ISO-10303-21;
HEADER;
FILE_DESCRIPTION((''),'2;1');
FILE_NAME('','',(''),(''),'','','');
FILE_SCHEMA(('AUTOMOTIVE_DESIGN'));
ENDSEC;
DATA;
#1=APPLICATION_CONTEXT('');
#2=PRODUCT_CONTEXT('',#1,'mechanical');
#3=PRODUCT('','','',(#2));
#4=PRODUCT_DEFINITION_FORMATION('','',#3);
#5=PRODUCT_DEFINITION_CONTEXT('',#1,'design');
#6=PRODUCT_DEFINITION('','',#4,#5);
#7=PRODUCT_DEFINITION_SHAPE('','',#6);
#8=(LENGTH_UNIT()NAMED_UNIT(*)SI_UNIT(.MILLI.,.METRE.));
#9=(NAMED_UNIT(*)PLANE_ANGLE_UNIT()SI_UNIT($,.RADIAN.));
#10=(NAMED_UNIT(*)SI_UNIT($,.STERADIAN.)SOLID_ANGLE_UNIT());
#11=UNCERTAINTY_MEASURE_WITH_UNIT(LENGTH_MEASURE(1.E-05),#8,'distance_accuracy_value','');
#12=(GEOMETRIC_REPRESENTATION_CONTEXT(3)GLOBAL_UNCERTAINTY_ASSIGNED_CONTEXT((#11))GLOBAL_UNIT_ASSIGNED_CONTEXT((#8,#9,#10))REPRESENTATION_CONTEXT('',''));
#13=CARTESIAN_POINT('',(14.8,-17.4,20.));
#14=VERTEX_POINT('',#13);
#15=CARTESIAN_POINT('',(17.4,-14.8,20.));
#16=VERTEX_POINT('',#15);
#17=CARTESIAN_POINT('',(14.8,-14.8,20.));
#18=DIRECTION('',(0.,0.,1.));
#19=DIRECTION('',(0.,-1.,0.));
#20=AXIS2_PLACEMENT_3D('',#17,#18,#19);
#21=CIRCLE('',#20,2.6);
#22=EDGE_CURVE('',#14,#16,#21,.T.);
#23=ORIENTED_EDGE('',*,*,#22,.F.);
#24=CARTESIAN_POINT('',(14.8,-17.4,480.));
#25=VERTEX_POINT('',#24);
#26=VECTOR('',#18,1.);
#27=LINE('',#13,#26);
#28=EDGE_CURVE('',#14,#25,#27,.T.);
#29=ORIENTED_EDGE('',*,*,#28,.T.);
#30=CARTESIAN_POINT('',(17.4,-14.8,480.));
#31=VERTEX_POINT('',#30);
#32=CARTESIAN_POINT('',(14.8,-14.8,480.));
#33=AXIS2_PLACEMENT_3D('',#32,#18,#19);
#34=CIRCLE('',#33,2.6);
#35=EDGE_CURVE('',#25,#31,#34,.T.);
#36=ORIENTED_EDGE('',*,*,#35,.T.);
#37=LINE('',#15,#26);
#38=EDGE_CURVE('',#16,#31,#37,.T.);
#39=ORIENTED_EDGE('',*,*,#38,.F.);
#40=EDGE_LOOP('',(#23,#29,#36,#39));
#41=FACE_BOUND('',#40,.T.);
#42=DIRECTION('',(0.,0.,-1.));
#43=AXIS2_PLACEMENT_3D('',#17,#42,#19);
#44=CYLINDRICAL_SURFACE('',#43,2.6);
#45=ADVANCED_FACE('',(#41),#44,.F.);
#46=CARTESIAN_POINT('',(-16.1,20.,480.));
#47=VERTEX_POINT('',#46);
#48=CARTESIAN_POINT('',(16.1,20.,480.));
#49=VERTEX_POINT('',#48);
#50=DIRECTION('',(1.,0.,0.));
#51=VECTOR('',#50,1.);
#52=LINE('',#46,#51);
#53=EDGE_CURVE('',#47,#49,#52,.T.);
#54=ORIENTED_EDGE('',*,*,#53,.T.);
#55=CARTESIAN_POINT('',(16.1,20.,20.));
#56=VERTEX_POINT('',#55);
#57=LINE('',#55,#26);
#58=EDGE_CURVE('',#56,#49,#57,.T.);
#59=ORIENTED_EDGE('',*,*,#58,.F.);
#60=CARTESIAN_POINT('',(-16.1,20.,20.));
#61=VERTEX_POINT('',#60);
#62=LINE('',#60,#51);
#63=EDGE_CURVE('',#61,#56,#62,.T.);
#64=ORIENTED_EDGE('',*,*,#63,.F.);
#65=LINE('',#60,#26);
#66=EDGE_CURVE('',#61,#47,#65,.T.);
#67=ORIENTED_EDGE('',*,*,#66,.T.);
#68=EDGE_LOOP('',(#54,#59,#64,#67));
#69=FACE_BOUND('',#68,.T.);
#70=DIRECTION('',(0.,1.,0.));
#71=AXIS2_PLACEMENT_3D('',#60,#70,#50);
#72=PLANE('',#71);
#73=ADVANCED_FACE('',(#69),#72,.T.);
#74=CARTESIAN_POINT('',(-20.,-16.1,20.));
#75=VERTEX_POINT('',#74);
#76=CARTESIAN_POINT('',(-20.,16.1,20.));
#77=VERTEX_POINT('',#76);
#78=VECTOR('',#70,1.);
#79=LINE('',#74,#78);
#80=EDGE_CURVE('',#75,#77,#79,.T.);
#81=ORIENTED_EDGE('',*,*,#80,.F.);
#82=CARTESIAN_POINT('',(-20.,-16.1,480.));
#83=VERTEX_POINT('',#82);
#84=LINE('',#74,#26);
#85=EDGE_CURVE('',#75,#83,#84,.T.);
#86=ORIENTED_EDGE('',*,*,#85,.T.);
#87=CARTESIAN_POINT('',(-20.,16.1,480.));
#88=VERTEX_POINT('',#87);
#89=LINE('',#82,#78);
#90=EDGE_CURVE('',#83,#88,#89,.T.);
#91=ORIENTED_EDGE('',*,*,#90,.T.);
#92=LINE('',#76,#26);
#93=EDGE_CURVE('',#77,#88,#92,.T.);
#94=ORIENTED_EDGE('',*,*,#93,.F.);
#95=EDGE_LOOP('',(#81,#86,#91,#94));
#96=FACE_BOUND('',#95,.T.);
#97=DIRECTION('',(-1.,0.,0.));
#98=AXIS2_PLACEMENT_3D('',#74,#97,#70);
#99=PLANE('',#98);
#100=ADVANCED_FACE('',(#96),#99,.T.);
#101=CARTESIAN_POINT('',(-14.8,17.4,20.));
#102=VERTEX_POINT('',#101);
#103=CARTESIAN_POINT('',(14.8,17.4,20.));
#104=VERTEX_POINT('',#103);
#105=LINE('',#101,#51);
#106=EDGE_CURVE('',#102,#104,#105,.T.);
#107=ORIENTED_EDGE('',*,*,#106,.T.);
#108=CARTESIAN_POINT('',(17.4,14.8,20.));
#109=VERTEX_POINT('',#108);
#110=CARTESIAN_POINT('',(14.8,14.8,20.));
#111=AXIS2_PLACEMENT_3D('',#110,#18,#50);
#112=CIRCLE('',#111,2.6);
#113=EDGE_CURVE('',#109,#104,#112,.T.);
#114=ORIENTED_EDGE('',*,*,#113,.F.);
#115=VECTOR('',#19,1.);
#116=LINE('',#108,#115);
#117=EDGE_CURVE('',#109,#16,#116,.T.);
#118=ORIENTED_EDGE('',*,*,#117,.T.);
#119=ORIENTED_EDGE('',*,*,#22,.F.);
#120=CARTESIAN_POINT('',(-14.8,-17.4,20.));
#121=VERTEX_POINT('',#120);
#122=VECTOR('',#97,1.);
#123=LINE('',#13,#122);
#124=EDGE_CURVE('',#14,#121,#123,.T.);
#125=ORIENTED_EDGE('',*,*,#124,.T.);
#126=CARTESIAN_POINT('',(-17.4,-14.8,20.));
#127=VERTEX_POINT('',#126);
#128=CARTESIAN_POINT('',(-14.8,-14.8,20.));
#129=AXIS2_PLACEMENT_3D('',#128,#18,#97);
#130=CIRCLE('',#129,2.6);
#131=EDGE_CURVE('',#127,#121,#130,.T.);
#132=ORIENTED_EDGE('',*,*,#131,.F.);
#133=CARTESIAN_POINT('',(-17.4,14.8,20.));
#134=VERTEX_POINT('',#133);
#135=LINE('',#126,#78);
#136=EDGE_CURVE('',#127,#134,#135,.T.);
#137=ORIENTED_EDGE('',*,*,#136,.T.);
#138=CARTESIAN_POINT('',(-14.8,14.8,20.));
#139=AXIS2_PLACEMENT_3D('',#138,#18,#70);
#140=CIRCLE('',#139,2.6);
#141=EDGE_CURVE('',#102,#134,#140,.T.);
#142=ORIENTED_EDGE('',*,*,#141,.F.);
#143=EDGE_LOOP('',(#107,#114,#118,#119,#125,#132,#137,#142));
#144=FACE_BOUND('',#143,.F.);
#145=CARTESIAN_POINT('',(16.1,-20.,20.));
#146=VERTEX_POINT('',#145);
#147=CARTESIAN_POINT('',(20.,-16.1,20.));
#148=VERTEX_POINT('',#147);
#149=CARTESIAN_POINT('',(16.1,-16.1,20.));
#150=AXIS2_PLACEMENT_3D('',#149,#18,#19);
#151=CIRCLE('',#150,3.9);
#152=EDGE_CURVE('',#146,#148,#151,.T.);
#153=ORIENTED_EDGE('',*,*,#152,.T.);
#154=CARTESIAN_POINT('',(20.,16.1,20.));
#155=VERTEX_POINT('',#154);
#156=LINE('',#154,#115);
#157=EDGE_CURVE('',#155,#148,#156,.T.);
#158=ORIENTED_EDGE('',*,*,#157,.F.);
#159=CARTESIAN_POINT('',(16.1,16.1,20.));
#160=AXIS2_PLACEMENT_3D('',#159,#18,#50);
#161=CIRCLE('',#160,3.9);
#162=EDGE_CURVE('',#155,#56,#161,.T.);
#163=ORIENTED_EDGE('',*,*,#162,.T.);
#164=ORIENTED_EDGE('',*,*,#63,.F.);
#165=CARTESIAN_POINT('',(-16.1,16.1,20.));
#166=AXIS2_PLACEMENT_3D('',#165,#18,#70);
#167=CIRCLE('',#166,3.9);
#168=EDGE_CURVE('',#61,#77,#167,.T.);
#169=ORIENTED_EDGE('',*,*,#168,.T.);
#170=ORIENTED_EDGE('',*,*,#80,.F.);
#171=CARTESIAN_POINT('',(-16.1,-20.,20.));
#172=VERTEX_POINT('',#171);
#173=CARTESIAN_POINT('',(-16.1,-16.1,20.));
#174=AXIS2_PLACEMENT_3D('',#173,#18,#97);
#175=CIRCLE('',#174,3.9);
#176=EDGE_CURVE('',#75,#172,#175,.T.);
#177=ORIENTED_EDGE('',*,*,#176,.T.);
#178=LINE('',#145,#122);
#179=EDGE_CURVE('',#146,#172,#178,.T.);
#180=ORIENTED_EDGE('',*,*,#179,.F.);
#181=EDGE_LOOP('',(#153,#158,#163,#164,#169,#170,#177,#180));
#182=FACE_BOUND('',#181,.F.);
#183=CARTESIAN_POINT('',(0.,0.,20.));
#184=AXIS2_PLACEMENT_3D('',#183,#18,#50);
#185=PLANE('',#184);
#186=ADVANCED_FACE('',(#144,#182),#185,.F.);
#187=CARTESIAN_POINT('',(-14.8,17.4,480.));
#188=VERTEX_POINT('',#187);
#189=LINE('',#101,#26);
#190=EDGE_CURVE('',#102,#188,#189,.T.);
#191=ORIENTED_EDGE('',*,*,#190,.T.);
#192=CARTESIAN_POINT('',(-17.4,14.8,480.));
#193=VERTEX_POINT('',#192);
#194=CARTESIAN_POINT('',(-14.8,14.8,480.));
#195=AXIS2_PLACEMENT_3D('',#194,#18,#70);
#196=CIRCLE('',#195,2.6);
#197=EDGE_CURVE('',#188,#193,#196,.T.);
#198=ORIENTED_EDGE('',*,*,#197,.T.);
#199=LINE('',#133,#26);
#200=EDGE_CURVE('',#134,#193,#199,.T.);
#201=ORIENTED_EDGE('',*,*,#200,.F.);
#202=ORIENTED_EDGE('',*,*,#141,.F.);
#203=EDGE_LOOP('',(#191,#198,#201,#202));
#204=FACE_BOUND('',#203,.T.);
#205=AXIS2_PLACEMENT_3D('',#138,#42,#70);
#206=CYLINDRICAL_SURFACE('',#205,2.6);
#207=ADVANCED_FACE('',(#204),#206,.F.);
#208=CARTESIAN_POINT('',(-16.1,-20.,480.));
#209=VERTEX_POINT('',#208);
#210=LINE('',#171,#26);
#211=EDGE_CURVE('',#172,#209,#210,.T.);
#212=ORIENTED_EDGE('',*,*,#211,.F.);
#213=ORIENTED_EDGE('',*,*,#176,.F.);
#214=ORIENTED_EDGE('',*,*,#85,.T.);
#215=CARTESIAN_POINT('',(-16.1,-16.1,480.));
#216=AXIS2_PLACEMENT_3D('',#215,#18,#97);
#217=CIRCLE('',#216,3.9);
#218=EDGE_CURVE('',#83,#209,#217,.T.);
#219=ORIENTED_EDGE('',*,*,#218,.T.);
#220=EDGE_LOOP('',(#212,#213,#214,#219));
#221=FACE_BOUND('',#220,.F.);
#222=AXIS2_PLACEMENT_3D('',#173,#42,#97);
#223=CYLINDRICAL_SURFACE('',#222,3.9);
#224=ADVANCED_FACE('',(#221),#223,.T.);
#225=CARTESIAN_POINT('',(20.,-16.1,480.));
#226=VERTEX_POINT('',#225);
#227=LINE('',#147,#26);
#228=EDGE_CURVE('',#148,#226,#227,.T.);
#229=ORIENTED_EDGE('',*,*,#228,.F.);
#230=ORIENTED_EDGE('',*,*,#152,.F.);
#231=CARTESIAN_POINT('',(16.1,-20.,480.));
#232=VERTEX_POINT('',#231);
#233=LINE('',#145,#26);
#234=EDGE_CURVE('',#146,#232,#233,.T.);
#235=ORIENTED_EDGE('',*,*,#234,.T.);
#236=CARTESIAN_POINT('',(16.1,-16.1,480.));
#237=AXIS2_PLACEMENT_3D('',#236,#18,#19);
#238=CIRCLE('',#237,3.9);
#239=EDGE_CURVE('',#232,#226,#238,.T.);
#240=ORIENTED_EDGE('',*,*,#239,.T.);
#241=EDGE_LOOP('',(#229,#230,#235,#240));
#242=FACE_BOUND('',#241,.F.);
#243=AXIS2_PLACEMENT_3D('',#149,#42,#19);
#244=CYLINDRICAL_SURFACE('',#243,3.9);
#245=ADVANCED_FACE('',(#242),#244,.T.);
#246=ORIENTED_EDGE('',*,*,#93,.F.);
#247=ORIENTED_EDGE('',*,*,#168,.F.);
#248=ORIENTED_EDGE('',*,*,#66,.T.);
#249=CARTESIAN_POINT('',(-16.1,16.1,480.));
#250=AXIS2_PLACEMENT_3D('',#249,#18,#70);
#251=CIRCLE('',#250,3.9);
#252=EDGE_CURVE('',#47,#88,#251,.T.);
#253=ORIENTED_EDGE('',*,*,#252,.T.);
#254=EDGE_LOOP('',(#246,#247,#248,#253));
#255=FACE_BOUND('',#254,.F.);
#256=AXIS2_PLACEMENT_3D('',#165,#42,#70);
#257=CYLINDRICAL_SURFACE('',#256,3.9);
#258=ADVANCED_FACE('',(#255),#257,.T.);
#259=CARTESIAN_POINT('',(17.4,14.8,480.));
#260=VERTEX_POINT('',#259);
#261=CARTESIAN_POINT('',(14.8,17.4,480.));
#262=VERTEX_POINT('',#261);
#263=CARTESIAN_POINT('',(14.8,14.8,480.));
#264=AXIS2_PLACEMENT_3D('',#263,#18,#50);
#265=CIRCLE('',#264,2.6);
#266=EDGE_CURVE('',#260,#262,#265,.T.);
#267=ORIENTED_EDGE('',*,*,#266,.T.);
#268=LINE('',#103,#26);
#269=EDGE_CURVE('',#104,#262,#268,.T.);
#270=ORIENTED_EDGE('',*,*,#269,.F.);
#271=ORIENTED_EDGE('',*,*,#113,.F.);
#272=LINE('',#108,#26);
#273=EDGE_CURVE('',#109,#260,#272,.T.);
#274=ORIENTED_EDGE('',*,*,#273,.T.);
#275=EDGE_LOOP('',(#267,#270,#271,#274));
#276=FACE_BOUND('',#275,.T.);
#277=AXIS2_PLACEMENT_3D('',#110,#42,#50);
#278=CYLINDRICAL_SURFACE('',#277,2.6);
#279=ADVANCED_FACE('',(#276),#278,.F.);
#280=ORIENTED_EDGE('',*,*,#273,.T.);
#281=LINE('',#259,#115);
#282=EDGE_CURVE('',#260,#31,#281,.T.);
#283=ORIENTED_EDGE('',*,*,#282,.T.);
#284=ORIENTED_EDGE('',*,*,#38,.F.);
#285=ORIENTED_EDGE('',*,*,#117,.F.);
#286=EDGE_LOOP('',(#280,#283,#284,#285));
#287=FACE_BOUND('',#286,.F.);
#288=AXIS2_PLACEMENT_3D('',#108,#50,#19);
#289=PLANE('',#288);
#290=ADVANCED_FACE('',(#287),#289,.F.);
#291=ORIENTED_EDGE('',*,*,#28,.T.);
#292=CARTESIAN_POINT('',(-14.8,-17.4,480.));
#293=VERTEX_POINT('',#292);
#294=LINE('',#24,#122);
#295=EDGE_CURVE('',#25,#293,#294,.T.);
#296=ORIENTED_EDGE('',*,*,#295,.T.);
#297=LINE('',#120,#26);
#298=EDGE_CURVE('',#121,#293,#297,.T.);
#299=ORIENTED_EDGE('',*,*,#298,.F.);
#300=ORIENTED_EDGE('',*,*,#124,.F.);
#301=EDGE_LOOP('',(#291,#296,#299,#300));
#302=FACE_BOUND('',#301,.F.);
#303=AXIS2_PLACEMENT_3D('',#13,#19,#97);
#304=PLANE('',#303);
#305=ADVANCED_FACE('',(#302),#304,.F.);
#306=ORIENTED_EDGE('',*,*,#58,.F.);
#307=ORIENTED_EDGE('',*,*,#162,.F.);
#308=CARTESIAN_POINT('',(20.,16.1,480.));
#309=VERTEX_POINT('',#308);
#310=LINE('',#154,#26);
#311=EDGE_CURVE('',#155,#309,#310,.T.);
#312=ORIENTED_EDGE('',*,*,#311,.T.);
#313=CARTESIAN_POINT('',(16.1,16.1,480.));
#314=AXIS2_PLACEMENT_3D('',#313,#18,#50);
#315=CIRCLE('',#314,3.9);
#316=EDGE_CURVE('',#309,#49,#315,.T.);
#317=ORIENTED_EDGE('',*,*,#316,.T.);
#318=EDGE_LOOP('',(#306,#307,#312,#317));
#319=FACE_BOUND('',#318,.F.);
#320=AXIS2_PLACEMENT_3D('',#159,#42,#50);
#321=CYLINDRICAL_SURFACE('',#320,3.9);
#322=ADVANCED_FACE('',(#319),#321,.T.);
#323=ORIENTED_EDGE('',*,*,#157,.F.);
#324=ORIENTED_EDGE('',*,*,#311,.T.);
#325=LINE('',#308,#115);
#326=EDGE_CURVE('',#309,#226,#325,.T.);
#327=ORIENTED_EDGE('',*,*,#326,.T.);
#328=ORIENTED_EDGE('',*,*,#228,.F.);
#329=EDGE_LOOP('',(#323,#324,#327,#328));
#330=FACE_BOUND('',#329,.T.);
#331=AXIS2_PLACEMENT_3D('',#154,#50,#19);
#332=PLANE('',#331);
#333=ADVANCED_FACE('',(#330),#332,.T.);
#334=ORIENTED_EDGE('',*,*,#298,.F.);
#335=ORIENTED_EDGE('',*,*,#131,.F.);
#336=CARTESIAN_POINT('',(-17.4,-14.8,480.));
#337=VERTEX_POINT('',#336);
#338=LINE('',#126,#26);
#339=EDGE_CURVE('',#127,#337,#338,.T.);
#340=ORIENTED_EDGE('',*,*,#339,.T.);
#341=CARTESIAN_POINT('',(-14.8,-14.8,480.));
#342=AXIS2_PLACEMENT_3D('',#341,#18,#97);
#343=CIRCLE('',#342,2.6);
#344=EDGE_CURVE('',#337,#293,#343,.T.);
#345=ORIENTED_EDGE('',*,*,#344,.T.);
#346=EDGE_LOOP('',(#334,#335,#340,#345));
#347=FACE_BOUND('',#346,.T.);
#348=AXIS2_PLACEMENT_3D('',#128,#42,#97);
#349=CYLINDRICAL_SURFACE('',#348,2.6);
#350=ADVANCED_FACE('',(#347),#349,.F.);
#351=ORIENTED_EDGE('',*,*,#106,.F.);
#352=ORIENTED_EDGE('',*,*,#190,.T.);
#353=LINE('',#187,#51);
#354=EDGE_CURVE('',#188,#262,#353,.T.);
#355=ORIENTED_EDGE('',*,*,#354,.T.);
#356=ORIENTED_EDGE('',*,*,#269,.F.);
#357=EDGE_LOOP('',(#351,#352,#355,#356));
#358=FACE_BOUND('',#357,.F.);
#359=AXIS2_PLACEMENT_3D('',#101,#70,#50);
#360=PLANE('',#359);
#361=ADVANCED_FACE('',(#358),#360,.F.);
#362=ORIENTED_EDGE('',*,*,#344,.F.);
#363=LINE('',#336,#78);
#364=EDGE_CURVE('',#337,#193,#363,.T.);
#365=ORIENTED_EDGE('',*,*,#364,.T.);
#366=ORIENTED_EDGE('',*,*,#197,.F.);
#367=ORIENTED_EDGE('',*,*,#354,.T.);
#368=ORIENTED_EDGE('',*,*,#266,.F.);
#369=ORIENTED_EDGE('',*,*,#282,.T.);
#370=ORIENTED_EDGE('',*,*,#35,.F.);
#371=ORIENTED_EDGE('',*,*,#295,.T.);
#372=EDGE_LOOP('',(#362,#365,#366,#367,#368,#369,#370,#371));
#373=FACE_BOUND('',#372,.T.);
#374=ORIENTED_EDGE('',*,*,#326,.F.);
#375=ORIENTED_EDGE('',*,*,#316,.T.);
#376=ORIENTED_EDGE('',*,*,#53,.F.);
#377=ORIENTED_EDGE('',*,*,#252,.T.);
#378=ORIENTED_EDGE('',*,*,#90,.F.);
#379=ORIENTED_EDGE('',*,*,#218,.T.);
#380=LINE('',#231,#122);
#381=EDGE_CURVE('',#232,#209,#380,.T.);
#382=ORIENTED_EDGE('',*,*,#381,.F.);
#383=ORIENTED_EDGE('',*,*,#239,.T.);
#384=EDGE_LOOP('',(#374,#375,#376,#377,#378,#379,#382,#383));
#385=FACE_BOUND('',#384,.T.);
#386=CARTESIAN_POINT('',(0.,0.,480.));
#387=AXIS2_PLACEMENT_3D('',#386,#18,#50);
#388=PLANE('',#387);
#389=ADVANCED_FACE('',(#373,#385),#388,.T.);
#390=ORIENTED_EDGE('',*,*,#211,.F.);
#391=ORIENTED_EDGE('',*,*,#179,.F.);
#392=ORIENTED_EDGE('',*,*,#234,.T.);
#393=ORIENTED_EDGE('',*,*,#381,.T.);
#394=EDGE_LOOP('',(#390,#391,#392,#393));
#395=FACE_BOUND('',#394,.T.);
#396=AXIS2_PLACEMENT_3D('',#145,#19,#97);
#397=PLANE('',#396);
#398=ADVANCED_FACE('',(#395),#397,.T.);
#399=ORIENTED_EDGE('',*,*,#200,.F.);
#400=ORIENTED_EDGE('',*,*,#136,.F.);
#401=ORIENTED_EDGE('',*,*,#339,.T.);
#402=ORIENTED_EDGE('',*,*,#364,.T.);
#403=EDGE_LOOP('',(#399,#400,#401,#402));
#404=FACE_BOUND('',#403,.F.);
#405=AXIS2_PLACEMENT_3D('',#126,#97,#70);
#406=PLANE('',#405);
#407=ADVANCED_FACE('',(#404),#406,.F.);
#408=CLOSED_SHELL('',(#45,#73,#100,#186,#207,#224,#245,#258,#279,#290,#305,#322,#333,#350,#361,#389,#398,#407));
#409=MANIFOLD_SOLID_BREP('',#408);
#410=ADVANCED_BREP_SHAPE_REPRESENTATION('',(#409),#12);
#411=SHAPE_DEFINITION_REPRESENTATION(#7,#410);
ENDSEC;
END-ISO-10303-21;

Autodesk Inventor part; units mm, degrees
ref_plane "Start plane" through (0, 0, 20) normal (0, 0, 1) x (1, 0, 0)
ref_plane "End plane" through (0, 0, 480) normal (0, 0, 1) x (1, 0, 0)
sketch "Sketch" plane through (0, 0, 0) normal (0, 0, 1) x (1, 0, 0)
  line L0 (-20, -16.1) -> (-20, 16.1)
  line L1 (-16.1, 20) -> (16.1, 20)
  line L2 (20, 16.1) -> (20, -16.1)
  line L3 (16.1, -20) -> (-16.1, -20)
  arc A0 (-20, -16.1) -> (-16.1, -20) centre (-16.1, -16.1) ccw
  arc A1 (-16.1, 20) -> (-20, 16.1) centre (-16.1, 16.1) ccw
  arc A2 (20, 16.1) -> (16.1, 20) centre (16.1, 16.1) ccw
  arc A3 (16.1, -20) -> (20, -16.1) centre (16.1, -16.1) ccw
  line L4 (-14.8, 17.4) -> (14.8, 17.4)
  line L5 (17.4, 14.8) -> (17.4, -14.8)
  line L6 (14.8, -17.4) -> (-14.8, -17.4)
  line L7 (-17.4, -14.8) -> (-17.4, 14.8)
  line L8 (0, 29.1308) -> (0, -29.1308) construction
  line L9 (-29.1308, 0) -> (29.1308, 0) construction
  arc A4 (-17.4, -14.8) -> (-14.8, -17.4) centre (-14.8, -14.8) ccw
  arc A5 (-14.8, 17.4) -> (-17.4, 14.8) centre (-14.8, 14.8) ccw
  arc A6 (17.4, 14.8) -> (14.8, 17.4) centre (14.8, 14.8) ccw
  arc A7 (14.8, -17.4) -> (17.4, -14.8) centre (14.8, -14.8) ccw
  dimension "d7" = 3.9
  dimension "d10" = 40
  dimension "d11" = 40
  dimension "d12" = 2.6
  dimension "d15" = 20
  dimension "d16" = 20
  dimension "d19" = 2.6
  dimension "d20" = 2.6
extrude "Body" add sketch "Sketch" along normal up to surface (460 mm away) from surface at 20
sketch "Sketch3" plane through (0, 0, 0) normal (0, 0, 1) x (1, 0, 0)
  line L0 (0, 0) -> (10, 0)
ref_plane "Work Plane3" through (0, 0, 0) normal (0, -1, 0) x (1, 0, 0)
sketch "Sketch4" plane through (0, 0, 0) normal (0, -1, 0) x (1, 0, 0)
  line L0 (-2, 20) -> (12, 20)
  line L1 (-2, 480) -> (12, 480)
  dimension "d18" = 460
ref_plane "Work Plane4" through (700, -16.1, 480) normal (0, 0, 1) x (1, 0, 0)
split "Split1" plane through (700, -16.1, 480) removes the side toward (0, 0, 1)
ref_plane "Work Plane5" through (-800, -16.1, 20) normal (0, 0, -1) x (-1, 0, 0)
split "Split2" plane through (-800, -16.1, 20) removes the side toward (0, 0, -1)
equation "\"d7\" = G_IR"
equation "\"d10\" = G_H"
equation "\"d11\" = G_W"
equation "\"d12\" = G_T"
equation "\"d15\" = 0.5 * d10"
equation "\"d16\" = 0.5 * d11"
equation "\"d19\" = G_T"
equation "\"d20\" = G_T"
equation "\"d3\" = G_L"
equation "\"G_W\" = 40"
equation "\"G_H\" = 40"
equation "\"G_T\" = 2.6"
equation "\"G_IR\" = 3.9"
equation "\"G_L\" = d18"
properties part number "EN 10210-2 - 40 x 40 x 2.6 - 460" material "Steel, Galvanized"
